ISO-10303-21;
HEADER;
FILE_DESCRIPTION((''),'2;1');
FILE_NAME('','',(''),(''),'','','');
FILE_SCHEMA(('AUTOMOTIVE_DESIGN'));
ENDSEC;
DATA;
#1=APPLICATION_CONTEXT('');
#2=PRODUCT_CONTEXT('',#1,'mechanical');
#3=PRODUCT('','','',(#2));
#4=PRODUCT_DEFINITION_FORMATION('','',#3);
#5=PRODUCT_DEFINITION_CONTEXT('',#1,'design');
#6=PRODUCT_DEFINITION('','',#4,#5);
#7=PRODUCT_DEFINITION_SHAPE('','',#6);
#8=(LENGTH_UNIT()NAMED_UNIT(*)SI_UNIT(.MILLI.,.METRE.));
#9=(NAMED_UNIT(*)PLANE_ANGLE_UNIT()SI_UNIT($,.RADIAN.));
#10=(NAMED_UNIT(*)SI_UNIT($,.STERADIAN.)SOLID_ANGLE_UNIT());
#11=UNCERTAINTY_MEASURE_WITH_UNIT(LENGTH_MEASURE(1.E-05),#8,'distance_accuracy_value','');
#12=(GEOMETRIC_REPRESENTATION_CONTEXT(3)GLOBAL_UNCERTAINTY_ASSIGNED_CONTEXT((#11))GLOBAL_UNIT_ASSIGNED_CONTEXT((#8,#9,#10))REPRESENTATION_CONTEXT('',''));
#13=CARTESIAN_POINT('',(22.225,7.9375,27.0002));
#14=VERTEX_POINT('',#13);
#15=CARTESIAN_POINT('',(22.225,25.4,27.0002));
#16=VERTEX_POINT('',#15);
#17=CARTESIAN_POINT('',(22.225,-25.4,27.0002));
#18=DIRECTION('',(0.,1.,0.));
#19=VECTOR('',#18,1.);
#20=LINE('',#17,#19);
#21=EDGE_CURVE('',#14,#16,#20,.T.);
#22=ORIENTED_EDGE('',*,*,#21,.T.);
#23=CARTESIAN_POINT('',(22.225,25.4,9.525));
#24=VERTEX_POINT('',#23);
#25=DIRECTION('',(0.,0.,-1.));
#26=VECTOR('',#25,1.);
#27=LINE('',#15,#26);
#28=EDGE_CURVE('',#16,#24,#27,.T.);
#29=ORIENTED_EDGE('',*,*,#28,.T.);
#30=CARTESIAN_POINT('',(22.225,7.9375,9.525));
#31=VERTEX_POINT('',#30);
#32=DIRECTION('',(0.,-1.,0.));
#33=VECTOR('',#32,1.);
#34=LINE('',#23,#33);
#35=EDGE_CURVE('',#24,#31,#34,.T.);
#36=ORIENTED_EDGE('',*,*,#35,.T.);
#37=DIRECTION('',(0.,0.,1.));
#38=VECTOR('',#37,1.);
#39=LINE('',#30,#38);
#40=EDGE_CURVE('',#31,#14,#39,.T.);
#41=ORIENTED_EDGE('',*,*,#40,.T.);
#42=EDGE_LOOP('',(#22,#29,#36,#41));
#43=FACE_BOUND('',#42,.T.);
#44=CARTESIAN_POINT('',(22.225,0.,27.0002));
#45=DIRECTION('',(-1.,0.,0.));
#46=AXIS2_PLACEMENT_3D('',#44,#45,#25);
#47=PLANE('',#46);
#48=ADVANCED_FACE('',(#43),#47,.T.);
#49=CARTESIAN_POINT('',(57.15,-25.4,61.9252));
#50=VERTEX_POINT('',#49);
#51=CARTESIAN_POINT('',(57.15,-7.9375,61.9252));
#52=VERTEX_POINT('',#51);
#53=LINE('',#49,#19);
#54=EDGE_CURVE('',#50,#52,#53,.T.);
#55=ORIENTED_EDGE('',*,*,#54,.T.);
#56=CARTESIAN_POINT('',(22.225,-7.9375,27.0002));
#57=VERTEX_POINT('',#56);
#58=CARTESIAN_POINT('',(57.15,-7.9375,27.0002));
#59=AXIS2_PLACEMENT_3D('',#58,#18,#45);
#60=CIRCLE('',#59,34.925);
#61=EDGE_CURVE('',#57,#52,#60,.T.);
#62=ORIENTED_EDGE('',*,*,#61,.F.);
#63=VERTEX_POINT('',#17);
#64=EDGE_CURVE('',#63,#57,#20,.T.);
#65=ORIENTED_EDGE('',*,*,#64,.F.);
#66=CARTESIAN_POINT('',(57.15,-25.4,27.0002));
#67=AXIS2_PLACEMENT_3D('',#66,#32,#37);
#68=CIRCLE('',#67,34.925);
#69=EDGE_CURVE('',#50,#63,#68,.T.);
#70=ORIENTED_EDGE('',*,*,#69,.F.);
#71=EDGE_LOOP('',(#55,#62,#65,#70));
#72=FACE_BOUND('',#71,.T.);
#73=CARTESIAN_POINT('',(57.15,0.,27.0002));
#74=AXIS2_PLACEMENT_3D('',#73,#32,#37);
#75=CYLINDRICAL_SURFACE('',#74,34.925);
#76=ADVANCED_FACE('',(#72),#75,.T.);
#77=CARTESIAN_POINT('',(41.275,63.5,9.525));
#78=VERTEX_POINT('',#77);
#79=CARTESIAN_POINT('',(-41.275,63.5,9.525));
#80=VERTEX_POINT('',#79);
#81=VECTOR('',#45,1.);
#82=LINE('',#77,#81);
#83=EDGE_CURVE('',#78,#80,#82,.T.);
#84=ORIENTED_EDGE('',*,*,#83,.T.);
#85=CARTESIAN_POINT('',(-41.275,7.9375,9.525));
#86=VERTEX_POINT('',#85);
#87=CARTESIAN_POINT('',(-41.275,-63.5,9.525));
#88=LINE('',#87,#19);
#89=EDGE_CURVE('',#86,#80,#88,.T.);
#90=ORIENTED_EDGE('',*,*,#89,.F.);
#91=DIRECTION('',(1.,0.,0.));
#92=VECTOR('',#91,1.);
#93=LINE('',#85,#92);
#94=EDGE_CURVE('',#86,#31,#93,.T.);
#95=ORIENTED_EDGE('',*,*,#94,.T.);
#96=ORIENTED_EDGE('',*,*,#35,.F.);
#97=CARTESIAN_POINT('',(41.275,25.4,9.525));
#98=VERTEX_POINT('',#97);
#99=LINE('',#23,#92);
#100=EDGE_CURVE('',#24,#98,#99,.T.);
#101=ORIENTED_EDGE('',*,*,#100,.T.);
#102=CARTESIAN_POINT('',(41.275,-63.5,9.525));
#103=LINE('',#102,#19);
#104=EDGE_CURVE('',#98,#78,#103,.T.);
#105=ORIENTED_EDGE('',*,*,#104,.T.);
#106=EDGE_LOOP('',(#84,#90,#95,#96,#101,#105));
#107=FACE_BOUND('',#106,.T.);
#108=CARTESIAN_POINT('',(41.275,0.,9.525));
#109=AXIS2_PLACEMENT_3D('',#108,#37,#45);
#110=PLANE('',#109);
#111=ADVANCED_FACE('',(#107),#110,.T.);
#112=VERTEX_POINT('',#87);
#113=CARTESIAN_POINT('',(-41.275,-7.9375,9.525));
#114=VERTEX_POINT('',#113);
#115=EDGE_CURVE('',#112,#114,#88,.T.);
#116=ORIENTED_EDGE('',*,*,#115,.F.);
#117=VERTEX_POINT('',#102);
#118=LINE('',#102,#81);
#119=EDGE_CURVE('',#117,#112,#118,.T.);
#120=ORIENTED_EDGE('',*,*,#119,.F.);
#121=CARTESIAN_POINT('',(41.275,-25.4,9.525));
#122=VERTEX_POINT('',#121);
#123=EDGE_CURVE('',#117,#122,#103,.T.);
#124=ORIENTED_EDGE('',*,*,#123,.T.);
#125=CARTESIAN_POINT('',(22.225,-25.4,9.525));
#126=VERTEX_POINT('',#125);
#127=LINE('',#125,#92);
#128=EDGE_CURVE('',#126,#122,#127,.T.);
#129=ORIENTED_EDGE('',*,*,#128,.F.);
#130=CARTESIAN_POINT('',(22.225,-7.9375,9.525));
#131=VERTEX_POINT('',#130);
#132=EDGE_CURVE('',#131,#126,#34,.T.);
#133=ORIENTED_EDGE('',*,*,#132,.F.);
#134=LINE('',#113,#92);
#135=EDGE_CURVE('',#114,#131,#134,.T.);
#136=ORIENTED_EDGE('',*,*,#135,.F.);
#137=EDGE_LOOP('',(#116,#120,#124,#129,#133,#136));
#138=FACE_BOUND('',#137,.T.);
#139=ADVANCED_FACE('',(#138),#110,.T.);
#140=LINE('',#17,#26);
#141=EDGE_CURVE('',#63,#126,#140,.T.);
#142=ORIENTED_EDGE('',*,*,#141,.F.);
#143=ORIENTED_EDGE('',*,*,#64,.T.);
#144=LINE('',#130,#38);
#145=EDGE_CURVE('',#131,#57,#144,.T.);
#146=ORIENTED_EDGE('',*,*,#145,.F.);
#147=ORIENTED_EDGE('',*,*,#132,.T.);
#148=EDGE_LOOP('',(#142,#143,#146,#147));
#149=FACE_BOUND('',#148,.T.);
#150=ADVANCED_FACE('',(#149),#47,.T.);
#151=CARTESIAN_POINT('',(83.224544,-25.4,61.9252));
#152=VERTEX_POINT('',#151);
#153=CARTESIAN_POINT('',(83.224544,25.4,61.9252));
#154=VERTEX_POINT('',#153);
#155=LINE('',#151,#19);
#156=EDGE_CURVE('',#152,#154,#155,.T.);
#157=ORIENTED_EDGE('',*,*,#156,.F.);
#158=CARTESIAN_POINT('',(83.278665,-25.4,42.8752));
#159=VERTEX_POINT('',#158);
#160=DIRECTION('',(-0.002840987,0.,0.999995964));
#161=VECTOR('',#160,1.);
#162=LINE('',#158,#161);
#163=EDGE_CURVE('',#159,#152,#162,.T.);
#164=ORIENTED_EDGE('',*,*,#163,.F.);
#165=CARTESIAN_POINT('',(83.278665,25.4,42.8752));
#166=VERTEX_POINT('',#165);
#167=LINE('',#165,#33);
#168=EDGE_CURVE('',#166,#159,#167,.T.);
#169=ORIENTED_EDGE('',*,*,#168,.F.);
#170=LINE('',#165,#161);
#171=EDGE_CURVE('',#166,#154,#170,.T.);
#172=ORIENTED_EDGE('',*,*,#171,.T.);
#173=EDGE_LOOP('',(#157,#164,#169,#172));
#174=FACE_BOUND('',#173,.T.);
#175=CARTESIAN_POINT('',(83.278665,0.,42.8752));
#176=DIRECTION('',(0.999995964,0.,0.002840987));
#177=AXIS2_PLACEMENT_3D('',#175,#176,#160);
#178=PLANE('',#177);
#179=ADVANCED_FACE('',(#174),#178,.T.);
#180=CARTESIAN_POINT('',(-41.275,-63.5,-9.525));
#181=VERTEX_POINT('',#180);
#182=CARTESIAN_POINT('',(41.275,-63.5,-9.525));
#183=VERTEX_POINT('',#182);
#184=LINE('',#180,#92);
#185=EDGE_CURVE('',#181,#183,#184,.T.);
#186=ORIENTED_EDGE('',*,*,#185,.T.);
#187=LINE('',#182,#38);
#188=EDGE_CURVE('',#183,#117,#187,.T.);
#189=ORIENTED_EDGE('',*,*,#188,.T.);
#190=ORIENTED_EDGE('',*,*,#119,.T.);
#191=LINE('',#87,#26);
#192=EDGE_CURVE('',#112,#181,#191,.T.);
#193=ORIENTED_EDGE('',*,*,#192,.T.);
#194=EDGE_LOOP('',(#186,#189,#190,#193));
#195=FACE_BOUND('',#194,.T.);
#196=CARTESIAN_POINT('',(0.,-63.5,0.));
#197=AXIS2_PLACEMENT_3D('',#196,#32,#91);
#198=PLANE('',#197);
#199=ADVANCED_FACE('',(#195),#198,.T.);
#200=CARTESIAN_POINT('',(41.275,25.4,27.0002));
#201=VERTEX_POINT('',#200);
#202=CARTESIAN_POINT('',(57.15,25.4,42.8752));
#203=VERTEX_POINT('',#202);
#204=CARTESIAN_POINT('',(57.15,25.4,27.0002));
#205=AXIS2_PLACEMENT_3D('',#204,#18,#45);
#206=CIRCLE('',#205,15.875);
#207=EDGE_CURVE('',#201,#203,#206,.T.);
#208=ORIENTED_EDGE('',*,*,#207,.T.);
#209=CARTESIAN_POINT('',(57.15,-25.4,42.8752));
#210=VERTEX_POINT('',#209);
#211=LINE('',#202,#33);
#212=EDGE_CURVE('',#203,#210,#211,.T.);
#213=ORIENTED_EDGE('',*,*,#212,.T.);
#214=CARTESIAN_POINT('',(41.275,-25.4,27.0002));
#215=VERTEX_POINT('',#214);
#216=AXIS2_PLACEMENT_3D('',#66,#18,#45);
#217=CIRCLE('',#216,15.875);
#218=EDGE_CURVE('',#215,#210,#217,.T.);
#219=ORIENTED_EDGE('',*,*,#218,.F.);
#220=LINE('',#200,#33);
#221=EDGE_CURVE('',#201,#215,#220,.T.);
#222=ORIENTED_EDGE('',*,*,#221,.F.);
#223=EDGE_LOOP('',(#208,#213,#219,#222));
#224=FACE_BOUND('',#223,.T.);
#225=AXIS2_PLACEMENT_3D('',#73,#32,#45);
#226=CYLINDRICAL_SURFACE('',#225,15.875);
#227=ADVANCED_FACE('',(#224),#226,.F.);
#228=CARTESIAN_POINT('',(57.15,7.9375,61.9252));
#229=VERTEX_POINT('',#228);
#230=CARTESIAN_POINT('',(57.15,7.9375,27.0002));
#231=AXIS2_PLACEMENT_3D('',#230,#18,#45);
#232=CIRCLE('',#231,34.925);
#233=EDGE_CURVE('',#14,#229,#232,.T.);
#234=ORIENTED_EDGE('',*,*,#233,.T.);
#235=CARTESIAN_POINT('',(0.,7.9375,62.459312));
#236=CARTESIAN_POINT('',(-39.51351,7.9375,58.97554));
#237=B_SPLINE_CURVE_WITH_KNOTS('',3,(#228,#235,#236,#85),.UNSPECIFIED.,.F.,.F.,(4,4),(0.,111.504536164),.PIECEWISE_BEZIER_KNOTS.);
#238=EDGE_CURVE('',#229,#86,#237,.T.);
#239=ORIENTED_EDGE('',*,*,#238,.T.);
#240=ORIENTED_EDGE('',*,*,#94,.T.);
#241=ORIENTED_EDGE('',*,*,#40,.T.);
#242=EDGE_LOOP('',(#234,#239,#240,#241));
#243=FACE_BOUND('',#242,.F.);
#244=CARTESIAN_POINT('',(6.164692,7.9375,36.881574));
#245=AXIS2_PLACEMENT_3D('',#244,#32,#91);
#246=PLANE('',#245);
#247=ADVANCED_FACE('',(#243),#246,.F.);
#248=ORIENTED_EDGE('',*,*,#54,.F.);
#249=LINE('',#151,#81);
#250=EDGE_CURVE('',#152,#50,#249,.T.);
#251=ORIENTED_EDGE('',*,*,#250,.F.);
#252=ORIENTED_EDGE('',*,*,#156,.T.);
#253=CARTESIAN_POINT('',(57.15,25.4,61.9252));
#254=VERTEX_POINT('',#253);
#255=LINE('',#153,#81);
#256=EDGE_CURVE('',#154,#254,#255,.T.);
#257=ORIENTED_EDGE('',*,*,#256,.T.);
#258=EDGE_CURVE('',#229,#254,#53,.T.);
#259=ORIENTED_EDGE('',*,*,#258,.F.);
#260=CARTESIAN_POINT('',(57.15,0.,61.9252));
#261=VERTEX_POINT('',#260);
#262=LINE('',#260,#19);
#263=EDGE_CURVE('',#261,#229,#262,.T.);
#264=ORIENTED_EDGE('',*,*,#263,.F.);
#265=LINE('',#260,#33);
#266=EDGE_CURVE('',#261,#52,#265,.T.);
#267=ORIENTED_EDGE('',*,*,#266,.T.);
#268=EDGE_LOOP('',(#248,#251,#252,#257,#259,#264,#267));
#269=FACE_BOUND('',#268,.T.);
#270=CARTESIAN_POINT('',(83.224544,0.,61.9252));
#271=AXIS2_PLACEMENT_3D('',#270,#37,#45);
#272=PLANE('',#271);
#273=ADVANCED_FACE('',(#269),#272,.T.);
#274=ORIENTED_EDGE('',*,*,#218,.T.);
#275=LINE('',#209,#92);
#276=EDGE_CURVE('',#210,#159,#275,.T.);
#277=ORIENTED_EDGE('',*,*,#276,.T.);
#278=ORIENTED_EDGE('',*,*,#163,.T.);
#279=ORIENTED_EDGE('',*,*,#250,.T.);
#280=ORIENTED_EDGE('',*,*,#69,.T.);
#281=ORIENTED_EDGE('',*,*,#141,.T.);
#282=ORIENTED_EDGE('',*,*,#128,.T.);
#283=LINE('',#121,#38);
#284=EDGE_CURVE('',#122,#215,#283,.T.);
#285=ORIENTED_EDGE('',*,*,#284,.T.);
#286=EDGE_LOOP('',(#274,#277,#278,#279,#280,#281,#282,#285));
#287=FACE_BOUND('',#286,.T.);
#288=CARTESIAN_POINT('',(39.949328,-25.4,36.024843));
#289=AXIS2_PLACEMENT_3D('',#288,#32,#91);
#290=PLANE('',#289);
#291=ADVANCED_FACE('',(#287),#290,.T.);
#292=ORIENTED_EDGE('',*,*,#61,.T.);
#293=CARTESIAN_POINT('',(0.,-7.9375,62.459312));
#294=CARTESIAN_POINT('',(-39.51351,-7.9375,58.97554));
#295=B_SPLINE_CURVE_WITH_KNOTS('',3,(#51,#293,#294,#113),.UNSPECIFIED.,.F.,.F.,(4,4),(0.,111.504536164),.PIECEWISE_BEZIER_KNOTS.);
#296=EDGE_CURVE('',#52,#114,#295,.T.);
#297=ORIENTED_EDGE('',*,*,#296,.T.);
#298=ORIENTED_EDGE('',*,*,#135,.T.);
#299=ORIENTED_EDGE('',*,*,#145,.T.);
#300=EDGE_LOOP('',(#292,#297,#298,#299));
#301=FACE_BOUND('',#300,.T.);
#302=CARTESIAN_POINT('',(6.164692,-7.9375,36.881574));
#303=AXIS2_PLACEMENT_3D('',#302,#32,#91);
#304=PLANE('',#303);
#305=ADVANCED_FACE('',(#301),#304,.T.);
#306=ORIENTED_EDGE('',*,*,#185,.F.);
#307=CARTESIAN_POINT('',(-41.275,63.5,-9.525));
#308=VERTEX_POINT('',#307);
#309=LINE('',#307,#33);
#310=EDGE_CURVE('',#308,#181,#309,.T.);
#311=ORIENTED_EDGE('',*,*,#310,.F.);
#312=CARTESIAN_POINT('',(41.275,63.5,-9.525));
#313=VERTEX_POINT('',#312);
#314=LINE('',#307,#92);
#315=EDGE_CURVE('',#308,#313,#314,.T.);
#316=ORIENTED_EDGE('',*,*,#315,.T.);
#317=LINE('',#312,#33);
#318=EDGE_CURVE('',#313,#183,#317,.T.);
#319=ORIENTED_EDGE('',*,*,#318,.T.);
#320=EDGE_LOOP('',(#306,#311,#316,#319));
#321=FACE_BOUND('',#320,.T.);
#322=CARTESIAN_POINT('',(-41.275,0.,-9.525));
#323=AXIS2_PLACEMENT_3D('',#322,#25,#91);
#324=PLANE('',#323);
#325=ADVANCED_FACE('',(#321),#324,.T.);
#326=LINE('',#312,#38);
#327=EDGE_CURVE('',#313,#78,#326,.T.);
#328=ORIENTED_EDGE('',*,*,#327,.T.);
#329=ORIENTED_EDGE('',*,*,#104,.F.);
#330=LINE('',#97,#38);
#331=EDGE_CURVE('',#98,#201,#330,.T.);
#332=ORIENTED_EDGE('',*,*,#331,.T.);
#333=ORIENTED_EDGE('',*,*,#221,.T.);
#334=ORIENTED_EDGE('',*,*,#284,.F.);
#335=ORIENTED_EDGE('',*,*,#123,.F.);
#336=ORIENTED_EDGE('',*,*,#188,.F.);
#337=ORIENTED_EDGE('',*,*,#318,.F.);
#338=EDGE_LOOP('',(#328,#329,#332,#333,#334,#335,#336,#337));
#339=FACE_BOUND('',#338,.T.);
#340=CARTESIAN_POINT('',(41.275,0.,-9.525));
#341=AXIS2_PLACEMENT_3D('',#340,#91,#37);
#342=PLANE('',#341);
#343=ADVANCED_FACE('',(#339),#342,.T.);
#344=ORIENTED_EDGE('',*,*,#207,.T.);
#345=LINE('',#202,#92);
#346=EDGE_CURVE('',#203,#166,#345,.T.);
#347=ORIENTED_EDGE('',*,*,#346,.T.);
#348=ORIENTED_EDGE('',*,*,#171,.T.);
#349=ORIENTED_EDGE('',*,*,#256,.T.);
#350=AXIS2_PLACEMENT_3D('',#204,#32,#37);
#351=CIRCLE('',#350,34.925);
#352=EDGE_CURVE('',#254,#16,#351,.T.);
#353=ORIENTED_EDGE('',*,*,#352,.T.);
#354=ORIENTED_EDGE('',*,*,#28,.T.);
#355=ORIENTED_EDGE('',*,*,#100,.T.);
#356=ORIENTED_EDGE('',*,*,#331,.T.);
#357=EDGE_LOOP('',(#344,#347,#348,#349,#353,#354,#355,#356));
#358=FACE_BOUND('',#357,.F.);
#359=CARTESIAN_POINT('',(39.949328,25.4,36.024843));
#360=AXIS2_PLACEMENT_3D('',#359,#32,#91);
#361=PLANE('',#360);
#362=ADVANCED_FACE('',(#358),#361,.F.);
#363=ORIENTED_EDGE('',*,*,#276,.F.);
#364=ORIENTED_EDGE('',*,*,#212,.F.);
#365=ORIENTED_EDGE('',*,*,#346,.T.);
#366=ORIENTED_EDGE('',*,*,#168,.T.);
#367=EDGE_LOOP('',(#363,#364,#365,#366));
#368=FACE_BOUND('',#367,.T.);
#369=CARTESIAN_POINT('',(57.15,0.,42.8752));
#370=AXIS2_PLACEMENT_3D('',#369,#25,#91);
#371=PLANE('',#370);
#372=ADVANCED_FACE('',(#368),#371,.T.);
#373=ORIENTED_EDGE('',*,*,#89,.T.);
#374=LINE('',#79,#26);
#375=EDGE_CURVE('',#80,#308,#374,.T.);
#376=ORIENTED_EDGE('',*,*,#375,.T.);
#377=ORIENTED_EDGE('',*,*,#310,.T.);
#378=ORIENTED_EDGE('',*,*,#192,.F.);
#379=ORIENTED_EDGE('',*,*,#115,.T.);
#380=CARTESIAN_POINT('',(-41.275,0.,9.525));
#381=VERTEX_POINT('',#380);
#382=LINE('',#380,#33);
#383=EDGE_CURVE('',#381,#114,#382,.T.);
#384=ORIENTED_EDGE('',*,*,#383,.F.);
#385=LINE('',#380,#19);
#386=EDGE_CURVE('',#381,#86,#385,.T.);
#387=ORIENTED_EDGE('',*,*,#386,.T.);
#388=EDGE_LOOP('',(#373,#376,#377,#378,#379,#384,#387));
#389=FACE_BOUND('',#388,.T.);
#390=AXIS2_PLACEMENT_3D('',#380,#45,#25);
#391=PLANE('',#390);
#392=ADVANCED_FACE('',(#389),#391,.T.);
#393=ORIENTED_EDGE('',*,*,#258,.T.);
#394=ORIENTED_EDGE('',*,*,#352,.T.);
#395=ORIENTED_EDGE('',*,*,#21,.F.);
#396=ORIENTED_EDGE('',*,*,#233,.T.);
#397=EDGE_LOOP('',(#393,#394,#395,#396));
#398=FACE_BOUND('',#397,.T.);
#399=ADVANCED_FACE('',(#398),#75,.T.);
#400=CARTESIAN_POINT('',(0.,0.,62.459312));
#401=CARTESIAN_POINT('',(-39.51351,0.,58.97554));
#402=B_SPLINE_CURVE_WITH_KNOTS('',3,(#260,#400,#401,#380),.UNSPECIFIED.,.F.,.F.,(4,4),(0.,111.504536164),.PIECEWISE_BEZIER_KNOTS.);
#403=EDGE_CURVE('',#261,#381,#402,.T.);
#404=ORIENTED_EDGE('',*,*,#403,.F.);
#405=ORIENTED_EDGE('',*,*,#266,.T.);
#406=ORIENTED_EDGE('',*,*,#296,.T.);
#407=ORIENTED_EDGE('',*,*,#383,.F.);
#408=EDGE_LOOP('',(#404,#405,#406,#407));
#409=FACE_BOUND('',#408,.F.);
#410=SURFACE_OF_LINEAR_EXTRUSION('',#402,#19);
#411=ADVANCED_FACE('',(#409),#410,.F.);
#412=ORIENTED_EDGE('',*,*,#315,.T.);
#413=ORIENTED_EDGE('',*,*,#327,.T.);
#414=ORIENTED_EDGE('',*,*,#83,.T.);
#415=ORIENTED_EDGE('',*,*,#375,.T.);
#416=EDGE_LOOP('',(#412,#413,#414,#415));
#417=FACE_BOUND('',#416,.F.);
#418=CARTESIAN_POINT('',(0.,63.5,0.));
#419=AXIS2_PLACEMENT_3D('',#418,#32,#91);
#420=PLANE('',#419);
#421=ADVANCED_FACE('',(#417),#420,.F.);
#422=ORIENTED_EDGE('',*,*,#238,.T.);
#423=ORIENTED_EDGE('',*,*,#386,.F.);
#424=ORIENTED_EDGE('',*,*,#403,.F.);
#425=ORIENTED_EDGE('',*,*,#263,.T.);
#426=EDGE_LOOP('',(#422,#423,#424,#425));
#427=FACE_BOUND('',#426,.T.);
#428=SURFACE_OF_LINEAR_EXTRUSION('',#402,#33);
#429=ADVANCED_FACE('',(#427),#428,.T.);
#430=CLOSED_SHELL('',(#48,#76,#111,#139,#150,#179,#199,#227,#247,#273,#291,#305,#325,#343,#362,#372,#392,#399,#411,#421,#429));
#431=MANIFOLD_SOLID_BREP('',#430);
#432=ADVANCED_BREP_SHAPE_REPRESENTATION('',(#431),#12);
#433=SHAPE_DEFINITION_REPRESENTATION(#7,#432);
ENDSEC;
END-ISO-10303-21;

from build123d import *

# Parameters (mm, degrees)
F1_DEPTH = 63.5
F2_DEPTH = 25.4
F3_DEPTH = 7.9375


with BuildPart() as f1:
    # F0 (on Front) → F1 (new body, symmetric)
    with BuildSketch(Plane.XZ):
        Polygon((22.225, 9.525), (-41.275, 9.525), (-41.275, -9.525), (41.275, -9.525), (41.275, 9.525), align=None)
    extrude(amount=F1_DEPTH, both=True)

    # F0 (on Front) → F2 (join, symmetric)
    with BuildSketch(Plane.XZ):
        with BuildLine():
            Line((22.225, 27.0002), (22.225, 9.525))
            Line((22.225, 9.525), (41.275, 9.525))
            Line((41.275, 9.525), (41.275, 27.0002))
            ThreePointArc((41.275, 27.0002), (45.9246798487, 38.2255201513), (57.15, 42.8752))
            Line((57.15, 42.8752), (60.325, 42.8752))
            Line((60.325, 42.8752), (60.325, 61.9252))
            Line((60.325, 61.9252), (57.15, 61.9252))
            ThreePointArc((57.15, 61.9252), (32.4542956671, 51.6959043329), (22.225, 27.0002))
        make_face()
        Polygon((83.2245436112, 61.9252), (60.325, 61.9252), (60.325, 42.8752), (83.2786646287, 42.8752), align=None)
    extrude(amount=F2_DEPTH, both=True)

    # F0 (on Front) → F3 (join, symmetric)
    with BuildSketch(Plane.XZ):
        with BuildLine():
            add(Edge.make_bspline(
                [(57.15, 61.9252), (0, 62.4593123794), (-39.5135097206, 58.9755401015), (-41.275, 9.525)],
                knots=[0, 0, 0, 0, 111.5045361635, 111.5045361635, 111.5045361635, 111.5045361635], degree=3))
            Line((-41.275, 9.525), (22.225, 9.525))
            Line((22.225, 9.525), (22.225, 27.0002))
            ThreePointArc((22.225, 27.0002), (32.4542956671, 51.6959043329), (57.15, 61.9252))
        make_face()
    extrude(amount=F3_DEPTH, both=True)


solid = f1.part
